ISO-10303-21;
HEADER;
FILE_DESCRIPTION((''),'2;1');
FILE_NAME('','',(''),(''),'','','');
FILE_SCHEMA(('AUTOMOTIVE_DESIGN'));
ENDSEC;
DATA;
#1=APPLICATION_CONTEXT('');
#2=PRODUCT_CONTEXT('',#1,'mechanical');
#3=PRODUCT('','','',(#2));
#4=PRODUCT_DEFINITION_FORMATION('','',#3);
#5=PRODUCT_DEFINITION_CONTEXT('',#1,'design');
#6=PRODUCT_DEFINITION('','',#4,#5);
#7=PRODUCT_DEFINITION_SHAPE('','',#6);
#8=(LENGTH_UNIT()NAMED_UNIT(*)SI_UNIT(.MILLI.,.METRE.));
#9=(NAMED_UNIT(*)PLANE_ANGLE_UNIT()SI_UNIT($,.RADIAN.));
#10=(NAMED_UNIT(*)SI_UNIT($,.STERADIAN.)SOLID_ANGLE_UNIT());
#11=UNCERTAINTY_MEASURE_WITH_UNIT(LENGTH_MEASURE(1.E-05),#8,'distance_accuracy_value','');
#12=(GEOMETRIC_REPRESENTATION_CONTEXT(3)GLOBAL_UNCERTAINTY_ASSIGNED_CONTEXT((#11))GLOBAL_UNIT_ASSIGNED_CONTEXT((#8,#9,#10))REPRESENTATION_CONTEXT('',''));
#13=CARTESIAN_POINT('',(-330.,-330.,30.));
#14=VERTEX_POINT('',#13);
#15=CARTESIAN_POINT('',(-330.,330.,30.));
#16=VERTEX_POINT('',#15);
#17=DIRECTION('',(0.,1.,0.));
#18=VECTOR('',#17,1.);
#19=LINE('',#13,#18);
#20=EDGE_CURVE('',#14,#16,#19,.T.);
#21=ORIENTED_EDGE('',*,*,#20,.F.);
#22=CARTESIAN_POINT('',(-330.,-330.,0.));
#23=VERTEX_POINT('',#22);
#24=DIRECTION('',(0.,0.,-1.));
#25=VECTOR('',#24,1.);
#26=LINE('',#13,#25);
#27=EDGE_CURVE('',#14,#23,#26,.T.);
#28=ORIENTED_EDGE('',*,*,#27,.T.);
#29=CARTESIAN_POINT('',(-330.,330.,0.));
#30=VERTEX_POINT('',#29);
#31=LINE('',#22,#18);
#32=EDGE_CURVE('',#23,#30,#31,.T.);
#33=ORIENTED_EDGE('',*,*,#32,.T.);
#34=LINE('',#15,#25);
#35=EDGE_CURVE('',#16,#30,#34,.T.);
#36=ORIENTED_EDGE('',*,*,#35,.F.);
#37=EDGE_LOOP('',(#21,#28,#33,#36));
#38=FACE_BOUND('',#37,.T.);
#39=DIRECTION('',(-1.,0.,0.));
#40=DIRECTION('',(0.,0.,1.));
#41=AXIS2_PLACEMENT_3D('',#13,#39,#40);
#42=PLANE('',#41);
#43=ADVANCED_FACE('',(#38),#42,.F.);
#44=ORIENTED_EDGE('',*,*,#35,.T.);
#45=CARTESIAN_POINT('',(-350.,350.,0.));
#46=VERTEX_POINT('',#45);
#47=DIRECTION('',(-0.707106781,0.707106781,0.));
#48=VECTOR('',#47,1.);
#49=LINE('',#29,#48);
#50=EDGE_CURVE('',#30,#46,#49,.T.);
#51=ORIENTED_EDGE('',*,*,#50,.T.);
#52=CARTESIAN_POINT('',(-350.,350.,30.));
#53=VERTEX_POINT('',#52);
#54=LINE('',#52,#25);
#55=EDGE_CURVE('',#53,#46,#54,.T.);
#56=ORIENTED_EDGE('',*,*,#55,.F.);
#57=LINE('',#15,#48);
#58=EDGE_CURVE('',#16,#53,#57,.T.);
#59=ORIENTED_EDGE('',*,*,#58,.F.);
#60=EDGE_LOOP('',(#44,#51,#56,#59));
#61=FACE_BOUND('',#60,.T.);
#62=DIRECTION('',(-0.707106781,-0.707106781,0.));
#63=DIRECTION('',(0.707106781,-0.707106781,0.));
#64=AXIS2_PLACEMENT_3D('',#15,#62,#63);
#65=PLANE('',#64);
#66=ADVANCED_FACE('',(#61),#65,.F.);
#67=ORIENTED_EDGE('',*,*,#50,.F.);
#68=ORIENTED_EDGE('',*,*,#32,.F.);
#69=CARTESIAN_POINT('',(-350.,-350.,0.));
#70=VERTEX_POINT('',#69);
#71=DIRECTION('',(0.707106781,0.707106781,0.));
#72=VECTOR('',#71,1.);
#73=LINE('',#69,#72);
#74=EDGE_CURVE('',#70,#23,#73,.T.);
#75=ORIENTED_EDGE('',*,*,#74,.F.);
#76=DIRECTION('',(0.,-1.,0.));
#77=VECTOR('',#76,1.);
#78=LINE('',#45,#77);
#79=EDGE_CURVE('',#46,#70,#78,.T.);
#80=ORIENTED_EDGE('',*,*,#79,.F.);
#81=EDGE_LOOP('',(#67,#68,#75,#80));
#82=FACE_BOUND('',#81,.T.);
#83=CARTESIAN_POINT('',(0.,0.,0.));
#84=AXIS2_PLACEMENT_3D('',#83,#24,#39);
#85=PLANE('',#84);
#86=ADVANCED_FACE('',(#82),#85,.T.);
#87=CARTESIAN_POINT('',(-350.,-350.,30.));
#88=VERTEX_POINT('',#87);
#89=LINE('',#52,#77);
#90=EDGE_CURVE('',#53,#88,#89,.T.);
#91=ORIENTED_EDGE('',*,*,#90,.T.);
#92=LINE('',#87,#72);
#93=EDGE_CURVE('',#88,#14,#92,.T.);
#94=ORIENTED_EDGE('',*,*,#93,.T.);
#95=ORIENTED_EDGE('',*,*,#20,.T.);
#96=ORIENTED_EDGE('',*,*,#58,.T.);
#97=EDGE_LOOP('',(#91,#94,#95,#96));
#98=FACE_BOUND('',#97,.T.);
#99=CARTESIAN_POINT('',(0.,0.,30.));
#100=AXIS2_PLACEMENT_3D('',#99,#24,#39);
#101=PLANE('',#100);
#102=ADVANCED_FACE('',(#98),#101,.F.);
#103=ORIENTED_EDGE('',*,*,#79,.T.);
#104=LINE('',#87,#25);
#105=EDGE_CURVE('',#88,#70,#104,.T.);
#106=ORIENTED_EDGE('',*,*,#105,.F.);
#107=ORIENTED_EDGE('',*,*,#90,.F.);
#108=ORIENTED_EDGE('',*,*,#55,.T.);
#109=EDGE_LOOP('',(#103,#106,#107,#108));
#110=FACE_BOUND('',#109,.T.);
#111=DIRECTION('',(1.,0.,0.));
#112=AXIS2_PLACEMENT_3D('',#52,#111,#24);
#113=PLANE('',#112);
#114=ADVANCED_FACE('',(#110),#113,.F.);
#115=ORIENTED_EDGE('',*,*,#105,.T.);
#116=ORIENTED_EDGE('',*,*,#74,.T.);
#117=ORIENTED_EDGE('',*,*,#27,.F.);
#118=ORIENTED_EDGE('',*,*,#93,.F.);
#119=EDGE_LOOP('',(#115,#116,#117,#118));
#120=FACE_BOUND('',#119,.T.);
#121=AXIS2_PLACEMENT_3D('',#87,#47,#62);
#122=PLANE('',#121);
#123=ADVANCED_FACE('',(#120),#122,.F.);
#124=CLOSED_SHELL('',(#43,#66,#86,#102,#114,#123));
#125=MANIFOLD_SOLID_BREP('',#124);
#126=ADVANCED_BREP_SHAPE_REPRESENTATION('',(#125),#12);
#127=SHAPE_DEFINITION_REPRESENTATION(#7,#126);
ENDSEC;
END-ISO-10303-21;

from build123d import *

# Parameters (mm, degrees)
BOSS_EXTRU_1_DEPTH = 30


with BuildPart() as part:
    # Esquisse1 → Boss.-Extru.1 (new body)
    with BuildSketch(Plane.XY):
        Polygon((-350, 350), (-350, -350), (-330, -330), (-330, 330), align=None)
    extrude(amount=BOSS_EXTRU_1_DEPTH)


solid = part.part
